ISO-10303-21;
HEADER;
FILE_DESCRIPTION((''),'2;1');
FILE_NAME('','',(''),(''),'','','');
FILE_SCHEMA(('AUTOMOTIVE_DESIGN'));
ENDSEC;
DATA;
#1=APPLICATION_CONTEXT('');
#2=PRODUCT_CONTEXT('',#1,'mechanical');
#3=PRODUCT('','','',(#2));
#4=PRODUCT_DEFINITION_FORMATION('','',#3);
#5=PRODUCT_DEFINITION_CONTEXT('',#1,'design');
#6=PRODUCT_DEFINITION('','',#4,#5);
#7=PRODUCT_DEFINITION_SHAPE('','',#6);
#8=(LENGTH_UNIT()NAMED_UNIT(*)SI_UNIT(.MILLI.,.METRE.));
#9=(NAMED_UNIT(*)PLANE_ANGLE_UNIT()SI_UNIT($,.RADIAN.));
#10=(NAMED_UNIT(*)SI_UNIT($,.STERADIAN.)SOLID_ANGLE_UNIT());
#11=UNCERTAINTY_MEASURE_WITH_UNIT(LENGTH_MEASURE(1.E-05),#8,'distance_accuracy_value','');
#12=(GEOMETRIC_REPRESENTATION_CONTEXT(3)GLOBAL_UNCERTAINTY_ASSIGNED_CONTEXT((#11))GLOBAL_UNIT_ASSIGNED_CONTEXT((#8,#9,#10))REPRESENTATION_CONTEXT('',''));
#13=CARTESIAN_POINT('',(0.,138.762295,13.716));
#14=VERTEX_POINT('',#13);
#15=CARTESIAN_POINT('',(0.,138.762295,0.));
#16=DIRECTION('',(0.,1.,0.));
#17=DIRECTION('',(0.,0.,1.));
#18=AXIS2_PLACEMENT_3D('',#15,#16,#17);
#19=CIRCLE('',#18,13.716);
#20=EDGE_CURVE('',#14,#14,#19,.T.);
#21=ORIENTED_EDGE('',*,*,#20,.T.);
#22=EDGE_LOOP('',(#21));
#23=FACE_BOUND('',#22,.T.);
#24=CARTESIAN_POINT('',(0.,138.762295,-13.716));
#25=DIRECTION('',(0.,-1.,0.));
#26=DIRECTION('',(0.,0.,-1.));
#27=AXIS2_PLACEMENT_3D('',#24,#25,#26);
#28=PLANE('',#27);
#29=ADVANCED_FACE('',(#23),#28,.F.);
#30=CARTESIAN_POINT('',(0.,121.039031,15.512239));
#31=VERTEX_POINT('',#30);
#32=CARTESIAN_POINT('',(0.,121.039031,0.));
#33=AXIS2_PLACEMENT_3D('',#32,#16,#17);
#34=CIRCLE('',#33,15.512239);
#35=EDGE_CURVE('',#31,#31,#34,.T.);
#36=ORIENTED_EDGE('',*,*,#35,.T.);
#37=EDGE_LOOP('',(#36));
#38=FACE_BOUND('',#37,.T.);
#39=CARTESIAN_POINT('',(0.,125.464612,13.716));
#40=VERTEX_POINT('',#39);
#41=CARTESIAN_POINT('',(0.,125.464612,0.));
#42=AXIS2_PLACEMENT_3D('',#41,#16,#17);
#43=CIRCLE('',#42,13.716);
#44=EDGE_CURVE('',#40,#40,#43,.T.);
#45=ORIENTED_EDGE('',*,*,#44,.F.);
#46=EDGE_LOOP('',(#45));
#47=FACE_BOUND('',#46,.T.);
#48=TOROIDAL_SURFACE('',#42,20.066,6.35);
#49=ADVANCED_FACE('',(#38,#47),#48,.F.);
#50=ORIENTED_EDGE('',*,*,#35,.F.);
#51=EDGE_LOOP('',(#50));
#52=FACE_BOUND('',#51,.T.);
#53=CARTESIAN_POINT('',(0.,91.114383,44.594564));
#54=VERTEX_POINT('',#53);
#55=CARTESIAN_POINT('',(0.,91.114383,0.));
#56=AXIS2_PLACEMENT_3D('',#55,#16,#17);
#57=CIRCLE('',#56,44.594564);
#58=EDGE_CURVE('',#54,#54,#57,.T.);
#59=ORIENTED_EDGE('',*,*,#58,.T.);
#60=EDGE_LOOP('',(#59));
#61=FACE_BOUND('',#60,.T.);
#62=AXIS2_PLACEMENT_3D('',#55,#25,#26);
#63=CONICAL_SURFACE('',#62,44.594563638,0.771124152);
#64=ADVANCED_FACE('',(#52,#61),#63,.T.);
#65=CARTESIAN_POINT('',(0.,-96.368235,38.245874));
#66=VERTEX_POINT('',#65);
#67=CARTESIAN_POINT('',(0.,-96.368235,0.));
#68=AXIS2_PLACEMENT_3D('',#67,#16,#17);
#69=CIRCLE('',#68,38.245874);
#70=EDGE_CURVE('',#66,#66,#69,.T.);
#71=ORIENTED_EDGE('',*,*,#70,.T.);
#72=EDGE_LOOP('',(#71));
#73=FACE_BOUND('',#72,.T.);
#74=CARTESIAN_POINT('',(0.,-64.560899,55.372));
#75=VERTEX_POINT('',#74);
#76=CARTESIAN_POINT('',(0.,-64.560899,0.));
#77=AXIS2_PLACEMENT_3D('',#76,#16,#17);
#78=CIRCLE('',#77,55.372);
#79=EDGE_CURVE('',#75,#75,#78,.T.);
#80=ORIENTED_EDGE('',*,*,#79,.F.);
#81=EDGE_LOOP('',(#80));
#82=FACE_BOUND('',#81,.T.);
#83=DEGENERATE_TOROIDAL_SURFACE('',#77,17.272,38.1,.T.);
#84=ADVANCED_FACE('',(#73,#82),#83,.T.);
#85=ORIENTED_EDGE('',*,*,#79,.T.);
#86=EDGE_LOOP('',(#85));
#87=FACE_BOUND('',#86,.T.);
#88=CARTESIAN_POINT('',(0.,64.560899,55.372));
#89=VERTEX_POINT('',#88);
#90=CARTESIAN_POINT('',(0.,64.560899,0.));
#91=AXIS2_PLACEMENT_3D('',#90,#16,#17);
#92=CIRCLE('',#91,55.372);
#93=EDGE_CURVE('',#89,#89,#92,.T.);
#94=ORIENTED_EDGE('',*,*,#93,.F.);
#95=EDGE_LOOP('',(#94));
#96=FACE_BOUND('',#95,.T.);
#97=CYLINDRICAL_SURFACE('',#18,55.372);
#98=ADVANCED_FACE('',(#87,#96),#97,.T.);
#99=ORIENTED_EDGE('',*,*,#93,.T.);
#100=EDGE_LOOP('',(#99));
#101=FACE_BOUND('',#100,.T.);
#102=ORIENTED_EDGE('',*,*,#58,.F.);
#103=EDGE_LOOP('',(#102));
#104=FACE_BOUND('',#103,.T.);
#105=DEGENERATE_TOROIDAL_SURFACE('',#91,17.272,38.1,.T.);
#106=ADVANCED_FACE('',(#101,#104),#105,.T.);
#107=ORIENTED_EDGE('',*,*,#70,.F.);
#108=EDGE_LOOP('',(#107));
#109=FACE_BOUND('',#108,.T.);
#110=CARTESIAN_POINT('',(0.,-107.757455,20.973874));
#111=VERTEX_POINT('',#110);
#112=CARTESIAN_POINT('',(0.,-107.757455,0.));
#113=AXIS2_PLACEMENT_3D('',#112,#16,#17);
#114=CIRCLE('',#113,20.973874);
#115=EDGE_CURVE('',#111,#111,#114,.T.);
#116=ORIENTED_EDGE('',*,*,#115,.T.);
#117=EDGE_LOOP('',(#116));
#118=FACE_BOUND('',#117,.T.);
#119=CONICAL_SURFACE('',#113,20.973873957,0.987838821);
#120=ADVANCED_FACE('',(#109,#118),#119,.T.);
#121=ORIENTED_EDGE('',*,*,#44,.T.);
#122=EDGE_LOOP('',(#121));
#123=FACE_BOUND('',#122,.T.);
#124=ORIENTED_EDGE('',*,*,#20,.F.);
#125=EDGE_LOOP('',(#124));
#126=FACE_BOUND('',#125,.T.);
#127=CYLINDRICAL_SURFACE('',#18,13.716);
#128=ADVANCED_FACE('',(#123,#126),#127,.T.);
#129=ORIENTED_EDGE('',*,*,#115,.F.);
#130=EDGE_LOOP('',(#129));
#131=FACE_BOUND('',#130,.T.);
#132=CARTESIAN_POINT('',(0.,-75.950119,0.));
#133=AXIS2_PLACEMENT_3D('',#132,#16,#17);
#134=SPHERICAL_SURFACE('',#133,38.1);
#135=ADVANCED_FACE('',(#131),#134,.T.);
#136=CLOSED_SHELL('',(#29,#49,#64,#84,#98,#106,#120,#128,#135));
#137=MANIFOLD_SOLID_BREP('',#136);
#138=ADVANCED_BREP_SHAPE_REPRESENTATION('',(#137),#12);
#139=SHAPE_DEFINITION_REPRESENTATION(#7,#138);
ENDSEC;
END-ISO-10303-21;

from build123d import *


with BuildPart() as part:
    # Sketch4 → Revolve3 (revolve)
    with BuildSketch(Plane(origin=(0, 0, 0), x_dir=(0, 0, -1), z_dir=(1, 0, 0))):
        with BuildLine():
            Line((55.372, 64.560899101), (55.372, -64.560899101))
            ThreePointArc((55.372, -64.560899101), (50.818345537, -82.623365742), (38.245873957, -96.36823491))
            Line((38.245873957, -96.36823491), (20.973873957, -107.757455094))
            ThreePointArc((20.973873957, -107.757455094), (10.948755767, -112.443060344), (0, -114.050119285))
            Line((0, -114.050119285), (0, 138.762295451))
            Line((0, 138.762295451), (13.716, 138.762295451))
            Line((13.716, 138.762295451), (13.716, 125.464611509))
            ThreePointArc((13.716, 125.464611509), (14.182171321, 123.076503456), (15.512239394, 121.039030831))
            Line((15.512239394, 121.039030831), (44.594563638, 91.114383171))
            ThreePointArc((44.594563638, 91.114383171), (52.574972075, 78.889547422), (55.372, 64.560899101))
        make_face()
    revolve(axis=Axis((0, 138.762295451, 0), (0, -1, 0)))


solid = part.part
